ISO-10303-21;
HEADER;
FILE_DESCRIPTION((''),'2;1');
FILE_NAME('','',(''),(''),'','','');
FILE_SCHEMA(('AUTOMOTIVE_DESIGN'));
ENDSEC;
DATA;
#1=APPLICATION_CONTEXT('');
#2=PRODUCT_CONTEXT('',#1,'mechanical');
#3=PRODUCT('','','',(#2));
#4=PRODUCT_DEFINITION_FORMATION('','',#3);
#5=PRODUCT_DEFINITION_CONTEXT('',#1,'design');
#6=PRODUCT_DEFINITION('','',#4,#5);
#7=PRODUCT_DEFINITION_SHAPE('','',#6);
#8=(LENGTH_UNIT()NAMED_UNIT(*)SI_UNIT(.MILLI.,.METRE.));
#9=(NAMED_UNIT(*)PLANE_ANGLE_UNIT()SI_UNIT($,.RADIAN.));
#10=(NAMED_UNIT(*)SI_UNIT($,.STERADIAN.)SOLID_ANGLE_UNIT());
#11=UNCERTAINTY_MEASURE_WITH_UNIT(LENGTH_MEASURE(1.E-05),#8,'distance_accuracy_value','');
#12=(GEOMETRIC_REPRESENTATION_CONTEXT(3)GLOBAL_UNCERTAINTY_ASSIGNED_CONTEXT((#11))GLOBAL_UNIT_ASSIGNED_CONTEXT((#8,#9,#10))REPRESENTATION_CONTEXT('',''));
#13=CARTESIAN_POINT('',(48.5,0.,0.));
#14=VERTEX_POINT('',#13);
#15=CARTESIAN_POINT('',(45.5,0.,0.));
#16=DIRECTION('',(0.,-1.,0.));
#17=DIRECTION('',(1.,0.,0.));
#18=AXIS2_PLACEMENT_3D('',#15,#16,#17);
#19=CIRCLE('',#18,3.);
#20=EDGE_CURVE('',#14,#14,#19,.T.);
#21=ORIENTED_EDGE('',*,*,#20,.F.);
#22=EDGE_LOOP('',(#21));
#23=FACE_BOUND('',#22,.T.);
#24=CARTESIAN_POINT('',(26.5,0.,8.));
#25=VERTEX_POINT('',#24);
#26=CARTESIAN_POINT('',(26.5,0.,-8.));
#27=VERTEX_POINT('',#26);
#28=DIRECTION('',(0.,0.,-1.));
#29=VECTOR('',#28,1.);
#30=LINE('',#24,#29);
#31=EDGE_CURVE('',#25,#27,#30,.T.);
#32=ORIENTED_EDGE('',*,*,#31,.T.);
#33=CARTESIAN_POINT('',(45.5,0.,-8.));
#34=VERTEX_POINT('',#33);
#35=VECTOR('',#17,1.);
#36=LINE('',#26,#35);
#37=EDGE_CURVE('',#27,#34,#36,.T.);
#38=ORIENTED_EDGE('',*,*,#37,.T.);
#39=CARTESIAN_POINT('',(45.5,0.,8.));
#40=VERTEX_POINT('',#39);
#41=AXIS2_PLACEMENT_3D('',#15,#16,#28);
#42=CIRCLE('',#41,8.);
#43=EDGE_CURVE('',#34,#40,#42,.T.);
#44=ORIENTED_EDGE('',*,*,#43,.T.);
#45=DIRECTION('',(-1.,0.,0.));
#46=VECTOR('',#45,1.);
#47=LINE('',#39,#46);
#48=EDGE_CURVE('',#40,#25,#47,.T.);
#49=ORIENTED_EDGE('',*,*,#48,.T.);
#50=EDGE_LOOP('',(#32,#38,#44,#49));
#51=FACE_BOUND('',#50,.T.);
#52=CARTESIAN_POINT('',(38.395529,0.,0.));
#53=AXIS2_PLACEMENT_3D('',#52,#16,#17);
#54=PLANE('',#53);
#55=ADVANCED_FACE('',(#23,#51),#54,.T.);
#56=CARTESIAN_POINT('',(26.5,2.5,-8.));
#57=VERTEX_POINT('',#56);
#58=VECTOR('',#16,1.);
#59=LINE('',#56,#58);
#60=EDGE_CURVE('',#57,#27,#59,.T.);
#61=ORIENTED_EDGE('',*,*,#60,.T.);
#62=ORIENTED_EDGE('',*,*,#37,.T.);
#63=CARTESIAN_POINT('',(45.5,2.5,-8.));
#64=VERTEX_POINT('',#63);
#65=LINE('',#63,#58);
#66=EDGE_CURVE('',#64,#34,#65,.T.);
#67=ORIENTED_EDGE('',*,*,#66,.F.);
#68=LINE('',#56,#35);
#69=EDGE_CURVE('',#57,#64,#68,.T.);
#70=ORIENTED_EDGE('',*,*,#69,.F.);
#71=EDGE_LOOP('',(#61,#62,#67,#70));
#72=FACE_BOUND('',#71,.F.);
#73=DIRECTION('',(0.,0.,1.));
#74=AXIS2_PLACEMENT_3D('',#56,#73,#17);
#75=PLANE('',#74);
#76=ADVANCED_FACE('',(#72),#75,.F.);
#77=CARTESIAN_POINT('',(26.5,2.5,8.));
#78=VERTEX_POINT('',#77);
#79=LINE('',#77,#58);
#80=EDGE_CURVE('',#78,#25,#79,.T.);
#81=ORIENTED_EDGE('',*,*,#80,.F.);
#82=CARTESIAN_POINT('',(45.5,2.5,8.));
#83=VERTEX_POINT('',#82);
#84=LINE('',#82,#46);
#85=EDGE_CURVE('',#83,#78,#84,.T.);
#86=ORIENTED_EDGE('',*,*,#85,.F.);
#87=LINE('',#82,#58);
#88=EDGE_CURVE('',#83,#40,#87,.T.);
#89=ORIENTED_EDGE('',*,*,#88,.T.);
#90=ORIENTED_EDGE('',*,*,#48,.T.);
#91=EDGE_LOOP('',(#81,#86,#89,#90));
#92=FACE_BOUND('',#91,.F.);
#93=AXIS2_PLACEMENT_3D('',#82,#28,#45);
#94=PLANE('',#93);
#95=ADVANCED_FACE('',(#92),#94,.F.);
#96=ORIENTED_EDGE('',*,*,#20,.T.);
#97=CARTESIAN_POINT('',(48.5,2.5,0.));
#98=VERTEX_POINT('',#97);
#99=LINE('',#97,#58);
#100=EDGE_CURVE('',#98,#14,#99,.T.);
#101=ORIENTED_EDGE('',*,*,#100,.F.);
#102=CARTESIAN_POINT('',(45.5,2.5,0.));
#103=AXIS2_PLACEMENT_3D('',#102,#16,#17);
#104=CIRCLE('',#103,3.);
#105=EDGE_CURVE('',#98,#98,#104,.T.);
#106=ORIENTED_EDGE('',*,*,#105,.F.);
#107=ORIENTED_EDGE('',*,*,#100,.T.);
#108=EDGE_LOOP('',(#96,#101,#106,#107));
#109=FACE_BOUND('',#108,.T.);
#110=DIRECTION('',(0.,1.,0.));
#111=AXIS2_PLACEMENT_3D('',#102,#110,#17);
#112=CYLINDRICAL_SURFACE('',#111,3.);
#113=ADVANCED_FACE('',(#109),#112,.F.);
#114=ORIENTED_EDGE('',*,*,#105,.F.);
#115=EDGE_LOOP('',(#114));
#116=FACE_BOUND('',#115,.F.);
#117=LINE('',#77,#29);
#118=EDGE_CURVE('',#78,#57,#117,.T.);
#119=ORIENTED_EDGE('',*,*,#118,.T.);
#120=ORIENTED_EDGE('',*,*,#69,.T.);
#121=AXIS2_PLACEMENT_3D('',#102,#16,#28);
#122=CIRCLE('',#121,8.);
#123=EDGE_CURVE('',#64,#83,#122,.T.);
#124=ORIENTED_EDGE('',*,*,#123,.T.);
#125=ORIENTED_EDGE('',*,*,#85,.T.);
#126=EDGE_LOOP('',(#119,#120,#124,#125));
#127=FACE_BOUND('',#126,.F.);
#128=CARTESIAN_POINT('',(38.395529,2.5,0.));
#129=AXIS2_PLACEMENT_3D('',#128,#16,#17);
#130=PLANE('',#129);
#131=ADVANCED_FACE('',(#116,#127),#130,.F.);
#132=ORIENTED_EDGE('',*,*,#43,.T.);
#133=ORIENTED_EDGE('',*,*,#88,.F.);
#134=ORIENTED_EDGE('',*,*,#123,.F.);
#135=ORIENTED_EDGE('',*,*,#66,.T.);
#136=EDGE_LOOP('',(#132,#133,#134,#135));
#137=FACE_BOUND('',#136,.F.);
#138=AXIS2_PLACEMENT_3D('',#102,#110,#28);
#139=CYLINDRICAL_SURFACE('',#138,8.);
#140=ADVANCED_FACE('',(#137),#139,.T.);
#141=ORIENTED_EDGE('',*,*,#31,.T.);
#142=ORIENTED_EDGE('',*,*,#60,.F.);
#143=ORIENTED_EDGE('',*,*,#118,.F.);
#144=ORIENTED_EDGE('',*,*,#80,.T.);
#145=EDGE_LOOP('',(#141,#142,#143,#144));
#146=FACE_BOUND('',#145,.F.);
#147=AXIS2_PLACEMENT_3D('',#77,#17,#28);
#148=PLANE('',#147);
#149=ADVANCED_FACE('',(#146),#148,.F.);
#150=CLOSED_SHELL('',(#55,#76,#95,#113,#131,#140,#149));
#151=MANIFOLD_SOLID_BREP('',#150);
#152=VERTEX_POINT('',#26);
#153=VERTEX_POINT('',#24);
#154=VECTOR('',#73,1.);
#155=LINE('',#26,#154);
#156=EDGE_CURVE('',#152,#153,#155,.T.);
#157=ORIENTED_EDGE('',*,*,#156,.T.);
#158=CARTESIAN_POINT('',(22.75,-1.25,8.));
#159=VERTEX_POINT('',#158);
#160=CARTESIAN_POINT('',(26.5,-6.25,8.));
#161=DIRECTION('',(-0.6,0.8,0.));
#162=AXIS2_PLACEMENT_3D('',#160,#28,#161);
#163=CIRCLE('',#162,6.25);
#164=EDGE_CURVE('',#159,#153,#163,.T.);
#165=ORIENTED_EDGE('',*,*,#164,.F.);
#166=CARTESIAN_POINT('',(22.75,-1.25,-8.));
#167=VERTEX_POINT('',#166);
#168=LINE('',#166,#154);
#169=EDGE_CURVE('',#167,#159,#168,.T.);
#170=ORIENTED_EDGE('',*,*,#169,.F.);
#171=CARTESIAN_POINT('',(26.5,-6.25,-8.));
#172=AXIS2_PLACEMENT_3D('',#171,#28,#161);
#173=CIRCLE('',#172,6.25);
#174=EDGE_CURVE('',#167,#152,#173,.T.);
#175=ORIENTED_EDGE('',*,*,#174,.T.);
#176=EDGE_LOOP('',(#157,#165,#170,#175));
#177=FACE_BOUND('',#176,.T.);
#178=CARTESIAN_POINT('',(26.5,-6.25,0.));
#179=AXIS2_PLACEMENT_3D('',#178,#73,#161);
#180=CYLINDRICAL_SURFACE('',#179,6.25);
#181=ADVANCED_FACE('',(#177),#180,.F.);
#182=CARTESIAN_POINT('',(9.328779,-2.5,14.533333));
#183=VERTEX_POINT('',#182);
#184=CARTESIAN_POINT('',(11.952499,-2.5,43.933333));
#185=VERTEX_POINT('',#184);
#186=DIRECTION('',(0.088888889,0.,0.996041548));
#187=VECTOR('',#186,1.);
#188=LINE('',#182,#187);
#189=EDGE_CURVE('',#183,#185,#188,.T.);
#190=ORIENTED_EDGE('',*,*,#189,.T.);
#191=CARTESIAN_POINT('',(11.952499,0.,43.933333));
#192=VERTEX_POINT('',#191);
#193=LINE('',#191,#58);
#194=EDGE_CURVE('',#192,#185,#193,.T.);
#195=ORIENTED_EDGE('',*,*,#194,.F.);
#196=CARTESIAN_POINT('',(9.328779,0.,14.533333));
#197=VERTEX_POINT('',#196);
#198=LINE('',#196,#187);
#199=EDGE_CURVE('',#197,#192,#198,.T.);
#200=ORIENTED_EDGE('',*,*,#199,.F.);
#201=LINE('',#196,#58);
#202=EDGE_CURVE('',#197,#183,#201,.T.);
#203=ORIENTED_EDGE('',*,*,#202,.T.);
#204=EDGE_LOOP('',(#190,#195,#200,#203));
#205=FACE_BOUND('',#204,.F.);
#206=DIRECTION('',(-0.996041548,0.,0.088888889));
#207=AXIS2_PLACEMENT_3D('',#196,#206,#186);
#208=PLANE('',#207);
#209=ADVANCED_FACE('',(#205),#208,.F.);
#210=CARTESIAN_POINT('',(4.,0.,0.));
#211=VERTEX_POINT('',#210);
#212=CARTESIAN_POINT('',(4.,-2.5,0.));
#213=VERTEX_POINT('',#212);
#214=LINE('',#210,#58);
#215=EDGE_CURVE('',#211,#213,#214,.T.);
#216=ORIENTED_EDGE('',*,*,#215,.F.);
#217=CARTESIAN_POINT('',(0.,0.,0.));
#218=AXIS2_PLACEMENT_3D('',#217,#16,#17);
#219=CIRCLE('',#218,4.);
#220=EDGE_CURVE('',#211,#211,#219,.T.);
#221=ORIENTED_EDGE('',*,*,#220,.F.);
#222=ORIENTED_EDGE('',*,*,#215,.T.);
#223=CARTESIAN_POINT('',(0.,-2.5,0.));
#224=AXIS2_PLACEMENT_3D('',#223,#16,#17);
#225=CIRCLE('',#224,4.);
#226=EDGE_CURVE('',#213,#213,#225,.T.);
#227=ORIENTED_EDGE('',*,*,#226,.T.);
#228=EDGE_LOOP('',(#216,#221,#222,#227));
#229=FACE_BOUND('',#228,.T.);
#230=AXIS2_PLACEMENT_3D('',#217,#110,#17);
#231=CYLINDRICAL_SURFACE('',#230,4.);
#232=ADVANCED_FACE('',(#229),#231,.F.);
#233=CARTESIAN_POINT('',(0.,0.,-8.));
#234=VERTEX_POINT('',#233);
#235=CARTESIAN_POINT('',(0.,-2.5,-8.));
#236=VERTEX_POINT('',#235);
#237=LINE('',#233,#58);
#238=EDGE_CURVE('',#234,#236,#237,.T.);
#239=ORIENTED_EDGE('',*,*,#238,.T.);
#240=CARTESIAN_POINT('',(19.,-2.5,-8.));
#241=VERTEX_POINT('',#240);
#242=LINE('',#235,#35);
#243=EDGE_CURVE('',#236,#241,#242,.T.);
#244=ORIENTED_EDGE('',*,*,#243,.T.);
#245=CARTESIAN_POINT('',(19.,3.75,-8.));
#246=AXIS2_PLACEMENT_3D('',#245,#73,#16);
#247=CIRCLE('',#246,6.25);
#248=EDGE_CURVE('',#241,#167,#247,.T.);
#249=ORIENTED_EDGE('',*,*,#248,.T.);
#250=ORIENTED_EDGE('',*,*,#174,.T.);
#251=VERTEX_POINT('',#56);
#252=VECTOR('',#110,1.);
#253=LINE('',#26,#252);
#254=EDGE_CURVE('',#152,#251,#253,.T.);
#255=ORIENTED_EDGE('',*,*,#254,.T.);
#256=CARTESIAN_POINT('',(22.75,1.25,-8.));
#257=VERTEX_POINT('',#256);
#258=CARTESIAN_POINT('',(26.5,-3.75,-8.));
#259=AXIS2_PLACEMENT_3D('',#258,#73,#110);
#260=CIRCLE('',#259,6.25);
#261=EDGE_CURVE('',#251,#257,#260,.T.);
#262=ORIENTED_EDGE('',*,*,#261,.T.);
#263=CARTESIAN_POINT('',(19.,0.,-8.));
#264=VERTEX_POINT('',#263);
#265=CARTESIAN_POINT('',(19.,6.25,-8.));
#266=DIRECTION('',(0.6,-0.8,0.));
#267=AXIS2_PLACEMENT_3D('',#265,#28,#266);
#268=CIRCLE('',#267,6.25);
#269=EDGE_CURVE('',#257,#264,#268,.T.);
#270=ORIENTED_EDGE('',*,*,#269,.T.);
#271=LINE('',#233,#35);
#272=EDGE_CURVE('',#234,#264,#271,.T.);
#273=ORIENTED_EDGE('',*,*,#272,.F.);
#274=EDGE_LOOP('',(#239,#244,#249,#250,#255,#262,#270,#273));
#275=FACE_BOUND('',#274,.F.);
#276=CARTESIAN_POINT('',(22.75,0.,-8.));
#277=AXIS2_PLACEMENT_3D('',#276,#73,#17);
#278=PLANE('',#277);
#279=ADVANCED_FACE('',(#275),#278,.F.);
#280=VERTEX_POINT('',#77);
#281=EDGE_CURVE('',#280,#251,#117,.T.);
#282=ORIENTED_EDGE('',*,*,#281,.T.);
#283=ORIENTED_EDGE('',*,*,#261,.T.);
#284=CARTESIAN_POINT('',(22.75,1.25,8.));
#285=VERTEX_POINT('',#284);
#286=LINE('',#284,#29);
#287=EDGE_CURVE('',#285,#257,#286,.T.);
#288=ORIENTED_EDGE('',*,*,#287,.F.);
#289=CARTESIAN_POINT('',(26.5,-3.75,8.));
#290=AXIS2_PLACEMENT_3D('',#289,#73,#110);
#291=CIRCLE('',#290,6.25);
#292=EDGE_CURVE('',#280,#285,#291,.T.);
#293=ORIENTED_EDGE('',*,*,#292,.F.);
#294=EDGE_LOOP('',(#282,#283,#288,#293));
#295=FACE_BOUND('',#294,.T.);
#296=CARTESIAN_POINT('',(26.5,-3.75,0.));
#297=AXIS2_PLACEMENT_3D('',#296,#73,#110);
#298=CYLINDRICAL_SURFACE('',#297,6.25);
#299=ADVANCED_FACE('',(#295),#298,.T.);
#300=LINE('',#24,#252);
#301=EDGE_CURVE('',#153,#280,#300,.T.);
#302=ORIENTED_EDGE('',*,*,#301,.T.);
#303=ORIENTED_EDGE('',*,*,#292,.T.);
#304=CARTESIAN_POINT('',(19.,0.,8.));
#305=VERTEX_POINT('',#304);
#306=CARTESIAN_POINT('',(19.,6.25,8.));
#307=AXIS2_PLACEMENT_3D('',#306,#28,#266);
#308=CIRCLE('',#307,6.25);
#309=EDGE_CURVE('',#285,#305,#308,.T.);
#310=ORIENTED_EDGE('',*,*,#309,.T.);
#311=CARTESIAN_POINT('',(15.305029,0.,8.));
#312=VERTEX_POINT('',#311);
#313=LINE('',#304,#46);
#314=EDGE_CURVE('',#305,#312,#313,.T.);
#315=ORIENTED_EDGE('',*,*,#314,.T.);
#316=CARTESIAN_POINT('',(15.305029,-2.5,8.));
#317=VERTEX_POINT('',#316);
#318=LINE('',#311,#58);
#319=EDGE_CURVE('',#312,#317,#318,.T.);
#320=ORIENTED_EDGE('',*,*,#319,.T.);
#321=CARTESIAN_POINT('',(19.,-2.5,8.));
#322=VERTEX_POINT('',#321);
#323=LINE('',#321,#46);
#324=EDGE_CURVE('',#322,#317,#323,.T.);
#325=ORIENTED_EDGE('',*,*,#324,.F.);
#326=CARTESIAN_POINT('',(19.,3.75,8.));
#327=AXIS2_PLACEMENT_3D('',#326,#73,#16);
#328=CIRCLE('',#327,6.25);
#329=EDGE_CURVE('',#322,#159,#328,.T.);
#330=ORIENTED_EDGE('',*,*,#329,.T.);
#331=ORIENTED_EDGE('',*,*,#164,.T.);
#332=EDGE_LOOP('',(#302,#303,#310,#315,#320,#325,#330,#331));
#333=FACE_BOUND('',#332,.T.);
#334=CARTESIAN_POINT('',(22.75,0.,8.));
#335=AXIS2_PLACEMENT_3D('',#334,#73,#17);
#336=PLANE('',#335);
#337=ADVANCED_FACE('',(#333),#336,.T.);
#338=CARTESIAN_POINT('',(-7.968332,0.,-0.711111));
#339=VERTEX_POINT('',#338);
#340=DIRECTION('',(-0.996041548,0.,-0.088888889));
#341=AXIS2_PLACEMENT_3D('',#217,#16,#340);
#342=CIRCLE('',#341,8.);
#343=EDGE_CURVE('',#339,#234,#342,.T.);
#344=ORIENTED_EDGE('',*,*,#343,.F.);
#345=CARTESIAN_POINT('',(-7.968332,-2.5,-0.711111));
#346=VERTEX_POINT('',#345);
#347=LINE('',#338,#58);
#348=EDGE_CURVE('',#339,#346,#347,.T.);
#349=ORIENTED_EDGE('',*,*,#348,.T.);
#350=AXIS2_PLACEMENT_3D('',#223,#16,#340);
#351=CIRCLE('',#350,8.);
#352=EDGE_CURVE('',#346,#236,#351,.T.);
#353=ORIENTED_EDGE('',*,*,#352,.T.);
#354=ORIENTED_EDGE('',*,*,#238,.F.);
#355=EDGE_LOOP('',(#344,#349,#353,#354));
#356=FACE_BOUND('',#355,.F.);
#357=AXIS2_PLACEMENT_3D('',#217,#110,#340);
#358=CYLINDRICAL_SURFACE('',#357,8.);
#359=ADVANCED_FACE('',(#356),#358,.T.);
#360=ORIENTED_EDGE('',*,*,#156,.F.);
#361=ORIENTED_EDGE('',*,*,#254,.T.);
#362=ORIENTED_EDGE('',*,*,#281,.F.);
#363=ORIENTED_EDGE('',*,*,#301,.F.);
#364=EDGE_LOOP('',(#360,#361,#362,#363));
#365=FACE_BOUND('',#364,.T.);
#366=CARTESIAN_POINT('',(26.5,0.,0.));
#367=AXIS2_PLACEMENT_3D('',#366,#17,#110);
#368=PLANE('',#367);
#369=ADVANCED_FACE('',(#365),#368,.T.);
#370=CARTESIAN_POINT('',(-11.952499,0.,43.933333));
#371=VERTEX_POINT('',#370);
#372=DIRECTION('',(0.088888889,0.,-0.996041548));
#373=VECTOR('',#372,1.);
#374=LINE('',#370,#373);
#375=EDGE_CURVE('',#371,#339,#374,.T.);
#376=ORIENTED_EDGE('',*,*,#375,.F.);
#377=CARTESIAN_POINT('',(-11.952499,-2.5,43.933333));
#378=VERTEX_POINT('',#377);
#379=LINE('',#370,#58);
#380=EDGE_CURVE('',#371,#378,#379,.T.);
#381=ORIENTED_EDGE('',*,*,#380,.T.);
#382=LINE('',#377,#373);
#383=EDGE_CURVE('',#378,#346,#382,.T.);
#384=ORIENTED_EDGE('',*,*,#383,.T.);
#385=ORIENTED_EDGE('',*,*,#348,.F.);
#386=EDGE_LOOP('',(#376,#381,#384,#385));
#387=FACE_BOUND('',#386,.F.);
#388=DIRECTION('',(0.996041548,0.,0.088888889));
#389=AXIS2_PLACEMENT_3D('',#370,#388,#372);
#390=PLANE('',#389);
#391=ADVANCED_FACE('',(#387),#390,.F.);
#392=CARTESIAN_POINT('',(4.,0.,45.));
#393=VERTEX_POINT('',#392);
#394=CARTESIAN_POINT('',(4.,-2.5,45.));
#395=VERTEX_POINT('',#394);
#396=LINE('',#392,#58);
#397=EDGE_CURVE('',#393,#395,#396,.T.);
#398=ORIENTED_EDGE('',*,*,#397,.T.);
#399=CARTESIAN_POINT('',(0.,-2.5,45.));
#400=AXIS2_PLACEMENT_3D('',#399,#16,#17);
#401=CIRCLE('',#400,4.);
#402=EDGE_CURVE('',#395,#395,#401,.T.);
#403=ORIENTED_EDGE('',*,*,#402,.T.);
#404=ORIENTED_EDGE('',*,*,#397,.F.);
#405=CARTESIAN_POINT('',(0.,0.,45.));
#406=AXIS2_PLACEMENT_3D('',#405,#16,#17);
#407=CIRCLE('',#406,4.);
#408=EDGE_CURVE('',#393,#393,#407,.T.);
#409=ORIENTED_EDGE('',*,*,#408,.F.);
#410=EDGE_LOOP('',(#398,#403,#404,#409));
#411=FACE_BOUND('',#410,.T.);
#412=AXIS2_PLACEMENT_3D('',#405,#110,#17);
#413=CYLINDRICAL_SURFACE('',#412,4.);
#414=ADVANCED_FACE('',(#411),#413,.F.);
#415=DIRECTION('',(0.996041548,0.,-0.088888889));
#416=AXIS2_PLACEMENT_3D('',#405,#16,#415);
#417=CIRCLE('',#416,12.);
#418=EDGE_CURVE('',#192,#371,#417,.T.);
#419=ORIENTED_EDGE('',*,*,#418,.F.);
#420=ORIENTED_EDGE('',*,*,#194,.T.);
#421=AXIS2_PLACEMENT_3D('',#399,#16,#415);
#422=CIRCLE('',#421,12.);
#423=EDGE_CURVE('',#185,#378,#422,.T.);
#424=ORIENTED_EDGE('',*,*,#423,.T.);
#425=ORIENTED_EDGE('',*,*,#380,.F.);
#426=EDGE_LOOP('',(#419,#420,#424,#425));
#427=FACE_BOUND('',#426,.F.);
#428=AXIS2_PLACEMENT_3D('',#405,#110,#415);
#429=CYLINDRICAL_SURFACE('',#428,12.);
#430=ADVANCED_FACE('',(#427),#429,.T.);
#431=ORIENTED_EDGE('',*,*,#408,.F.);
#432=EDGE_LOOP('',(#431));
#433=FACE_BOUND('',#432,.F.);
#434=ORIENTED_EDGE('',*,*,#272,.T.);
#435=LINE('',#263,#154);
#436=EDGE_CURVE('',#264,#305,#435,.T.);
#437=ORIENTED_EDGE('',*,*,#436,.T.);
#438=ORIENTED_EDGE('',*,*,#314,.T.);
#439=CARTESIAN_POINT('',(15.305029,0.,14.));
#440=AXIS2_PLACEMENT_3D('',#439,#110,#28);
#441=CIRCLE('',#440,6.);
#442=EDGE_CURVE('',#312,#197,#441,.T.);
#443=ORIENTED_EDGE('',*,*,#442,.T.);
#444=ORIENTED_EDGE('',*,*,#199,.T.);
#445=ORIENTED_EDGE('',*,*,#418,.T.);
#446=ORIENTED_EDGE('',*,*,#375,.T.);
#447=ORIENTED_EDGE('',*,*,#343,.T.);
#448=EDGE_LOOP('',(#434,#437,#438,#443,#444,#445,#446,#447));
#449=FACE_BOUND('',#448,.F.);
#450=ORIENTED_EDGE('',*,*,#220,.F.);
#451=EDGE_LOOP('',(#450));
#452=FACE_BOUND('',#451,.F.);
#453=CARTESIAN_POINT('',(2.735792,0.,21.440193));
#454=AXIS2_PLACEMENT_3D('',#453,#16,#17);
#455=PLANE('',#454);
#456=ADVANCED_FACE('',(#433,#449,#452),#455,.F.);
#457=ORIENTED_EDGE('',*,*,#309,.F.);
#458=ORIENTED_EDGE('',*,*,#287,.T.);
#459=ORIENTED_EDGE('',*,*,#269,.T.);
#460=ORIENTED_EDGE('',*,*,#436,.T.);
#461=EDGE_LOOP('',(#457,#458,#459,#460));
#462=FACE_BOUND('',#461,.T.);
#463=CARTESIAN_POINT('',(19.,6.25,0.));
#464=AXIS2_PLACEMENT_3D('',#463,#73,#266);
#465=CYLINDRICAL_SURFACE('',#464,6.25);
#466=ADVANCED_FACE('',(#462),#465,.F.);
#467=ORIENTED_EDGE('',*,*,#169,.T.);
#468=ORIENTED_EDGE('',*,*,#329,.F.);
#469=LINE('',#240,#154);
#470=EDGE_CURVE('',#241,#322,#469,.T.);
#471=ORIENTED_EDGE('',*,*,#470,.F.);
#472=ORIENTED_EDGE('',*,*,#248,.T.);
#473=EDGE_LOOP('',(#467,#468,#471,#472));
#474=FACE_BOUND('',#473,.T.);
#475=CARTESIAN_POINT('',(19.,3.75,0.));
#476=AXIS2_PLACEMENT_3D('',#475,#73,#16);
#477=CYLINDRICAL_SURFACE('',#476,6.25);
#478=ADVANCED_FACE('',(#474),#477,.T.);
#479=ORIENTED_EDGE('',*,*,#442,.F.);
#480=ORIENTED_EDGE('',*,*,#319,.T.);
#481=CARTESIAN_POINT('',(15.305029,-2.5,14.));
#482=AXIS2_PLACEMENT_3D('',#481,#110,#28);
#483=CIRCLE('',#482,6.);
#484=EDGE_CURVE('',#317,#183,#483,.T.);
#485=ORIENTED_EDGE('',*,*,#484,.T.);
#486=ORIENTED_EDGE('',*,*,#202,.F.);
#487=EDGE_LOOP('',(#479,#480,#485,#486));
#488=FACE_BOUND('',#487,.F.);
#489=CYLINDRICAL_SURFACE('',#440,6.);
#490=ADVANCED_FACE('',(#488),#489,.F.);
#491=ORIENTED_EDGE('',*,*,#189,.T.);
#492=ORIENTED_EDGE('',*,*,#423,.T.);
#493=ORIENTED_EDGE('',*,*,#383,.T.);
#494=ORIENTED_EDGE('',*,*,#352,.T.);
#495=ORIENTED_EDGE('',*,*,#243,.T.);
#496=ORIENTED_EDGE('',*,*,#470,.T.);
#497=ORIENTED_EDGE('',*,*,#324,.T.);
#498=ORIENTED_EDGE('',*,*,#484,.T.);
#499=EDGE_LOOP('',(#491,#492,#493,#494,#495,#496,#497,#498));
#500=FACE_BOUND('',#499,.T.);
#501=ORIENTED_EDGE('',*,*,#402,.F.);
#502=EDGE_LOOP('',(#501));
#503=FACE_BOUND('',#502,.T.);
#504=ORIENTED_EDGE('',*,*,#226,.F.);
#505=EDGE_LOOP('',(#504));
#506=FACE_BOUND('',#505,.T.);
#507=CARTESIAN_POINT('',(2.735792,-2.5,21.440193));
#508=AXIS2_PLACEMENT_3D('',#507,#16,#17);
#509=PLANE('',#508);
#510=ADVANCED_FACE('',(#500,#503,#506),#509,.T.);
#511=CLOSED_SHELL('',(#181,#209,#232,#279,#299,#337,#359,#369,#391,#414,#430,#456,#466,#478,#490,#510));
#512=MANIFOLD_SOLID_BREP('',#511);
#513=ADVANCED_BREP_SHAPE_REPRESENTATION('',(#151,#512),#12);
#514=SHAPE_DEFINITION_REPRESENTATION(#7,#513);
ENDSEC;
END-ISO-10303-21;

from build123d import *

# Parameters (mm, degrees)
F0_R     = 4
F1_DEPTH = 2.5
F3_DEPTH = 8
F5_R     = 3
F6_DEPTH = 2.5


with BuildPart() as f1:
    # F0 (on Front) → F1 (new body)
    with BuildSketch(Plane.XZ):
        with BuildLine():
            ThreePointArc((-7.9683323844, -0.7111111111), (-5.3995884617, -5.902918299), (0, -8))
            Line((0, -8), (19, -8))
            Line((19, -8), (19, 8))
            Line((19, 8), (15.3050286651, 8))
            ThreePointArc((15.3050286651, 8), (10.8778399408, 9.9503086537), (9.3287793768, 14.5333333333))
            Line((9.3287793768, 14.5333333333), (11.9524985765, 43.9333333333))
            ThreePointArc((11.9524985765, 43.9333333333), (0, 57), (-11.9524985765, 43.9333333333))
            Line((-11.9524985765, 43.9333333333), (-7.9683323844, -0.7111111111))
        make_face()
        Circle(F0_R, mode=Mode.SUBTRACT)
        with Locations((0, 45)):
            Circle(F0_R, mode=Mode.SUBTRACT)
    extrude(amount=F1_DEPTH)

    # F2 (on Top) → F3 (join, symmetric)
    with BuildSketch(Plane.XY):
        with BuildLine():
            Line((19, 0), (19, -2.5))
            ThreePointArc((19, -2.5), (20.9764235376, -2.1792706128), (22.75, -1.25))
            ThreePointArc((22.75, -1.25), (24.5235764624, -0.3207293872), (26.5, 0))
            Line((26.5, 0), (26.5, 2.5))
            ThreePointArc((26.5, 2.5), (24.5235764624, 2.1792706128), (22.75, 1.25))
            ThreePointArc((22.75, 1.25), (20.9764235376, 0.3207293872), (19, 0))
        make_face()
    extrude(amount=F3_DEPTH, both=True)


with BuildPart() as f6:
    # F5 (on offset) → F6 (new body)
    with BuildSketch(Plane.XZ.offset(-2.5)):
        with BuildLine():
            Line((26.5, 8), (26.5, -8))
            Line((26.5, -8), (45.5, -8))
            ThreePointArc((45.5, -8), (53.5, 0), (45.5, 8))
            Line((45.5, 8), (26.5, 8))
        make_face()
        with Locations((45.5, 0)):
            Circle(F5_R, mode=Mode.SUBTRACT)
    extrude(amount=F6_DEPTH)


solid = Compound([f1.part, f6.part])
